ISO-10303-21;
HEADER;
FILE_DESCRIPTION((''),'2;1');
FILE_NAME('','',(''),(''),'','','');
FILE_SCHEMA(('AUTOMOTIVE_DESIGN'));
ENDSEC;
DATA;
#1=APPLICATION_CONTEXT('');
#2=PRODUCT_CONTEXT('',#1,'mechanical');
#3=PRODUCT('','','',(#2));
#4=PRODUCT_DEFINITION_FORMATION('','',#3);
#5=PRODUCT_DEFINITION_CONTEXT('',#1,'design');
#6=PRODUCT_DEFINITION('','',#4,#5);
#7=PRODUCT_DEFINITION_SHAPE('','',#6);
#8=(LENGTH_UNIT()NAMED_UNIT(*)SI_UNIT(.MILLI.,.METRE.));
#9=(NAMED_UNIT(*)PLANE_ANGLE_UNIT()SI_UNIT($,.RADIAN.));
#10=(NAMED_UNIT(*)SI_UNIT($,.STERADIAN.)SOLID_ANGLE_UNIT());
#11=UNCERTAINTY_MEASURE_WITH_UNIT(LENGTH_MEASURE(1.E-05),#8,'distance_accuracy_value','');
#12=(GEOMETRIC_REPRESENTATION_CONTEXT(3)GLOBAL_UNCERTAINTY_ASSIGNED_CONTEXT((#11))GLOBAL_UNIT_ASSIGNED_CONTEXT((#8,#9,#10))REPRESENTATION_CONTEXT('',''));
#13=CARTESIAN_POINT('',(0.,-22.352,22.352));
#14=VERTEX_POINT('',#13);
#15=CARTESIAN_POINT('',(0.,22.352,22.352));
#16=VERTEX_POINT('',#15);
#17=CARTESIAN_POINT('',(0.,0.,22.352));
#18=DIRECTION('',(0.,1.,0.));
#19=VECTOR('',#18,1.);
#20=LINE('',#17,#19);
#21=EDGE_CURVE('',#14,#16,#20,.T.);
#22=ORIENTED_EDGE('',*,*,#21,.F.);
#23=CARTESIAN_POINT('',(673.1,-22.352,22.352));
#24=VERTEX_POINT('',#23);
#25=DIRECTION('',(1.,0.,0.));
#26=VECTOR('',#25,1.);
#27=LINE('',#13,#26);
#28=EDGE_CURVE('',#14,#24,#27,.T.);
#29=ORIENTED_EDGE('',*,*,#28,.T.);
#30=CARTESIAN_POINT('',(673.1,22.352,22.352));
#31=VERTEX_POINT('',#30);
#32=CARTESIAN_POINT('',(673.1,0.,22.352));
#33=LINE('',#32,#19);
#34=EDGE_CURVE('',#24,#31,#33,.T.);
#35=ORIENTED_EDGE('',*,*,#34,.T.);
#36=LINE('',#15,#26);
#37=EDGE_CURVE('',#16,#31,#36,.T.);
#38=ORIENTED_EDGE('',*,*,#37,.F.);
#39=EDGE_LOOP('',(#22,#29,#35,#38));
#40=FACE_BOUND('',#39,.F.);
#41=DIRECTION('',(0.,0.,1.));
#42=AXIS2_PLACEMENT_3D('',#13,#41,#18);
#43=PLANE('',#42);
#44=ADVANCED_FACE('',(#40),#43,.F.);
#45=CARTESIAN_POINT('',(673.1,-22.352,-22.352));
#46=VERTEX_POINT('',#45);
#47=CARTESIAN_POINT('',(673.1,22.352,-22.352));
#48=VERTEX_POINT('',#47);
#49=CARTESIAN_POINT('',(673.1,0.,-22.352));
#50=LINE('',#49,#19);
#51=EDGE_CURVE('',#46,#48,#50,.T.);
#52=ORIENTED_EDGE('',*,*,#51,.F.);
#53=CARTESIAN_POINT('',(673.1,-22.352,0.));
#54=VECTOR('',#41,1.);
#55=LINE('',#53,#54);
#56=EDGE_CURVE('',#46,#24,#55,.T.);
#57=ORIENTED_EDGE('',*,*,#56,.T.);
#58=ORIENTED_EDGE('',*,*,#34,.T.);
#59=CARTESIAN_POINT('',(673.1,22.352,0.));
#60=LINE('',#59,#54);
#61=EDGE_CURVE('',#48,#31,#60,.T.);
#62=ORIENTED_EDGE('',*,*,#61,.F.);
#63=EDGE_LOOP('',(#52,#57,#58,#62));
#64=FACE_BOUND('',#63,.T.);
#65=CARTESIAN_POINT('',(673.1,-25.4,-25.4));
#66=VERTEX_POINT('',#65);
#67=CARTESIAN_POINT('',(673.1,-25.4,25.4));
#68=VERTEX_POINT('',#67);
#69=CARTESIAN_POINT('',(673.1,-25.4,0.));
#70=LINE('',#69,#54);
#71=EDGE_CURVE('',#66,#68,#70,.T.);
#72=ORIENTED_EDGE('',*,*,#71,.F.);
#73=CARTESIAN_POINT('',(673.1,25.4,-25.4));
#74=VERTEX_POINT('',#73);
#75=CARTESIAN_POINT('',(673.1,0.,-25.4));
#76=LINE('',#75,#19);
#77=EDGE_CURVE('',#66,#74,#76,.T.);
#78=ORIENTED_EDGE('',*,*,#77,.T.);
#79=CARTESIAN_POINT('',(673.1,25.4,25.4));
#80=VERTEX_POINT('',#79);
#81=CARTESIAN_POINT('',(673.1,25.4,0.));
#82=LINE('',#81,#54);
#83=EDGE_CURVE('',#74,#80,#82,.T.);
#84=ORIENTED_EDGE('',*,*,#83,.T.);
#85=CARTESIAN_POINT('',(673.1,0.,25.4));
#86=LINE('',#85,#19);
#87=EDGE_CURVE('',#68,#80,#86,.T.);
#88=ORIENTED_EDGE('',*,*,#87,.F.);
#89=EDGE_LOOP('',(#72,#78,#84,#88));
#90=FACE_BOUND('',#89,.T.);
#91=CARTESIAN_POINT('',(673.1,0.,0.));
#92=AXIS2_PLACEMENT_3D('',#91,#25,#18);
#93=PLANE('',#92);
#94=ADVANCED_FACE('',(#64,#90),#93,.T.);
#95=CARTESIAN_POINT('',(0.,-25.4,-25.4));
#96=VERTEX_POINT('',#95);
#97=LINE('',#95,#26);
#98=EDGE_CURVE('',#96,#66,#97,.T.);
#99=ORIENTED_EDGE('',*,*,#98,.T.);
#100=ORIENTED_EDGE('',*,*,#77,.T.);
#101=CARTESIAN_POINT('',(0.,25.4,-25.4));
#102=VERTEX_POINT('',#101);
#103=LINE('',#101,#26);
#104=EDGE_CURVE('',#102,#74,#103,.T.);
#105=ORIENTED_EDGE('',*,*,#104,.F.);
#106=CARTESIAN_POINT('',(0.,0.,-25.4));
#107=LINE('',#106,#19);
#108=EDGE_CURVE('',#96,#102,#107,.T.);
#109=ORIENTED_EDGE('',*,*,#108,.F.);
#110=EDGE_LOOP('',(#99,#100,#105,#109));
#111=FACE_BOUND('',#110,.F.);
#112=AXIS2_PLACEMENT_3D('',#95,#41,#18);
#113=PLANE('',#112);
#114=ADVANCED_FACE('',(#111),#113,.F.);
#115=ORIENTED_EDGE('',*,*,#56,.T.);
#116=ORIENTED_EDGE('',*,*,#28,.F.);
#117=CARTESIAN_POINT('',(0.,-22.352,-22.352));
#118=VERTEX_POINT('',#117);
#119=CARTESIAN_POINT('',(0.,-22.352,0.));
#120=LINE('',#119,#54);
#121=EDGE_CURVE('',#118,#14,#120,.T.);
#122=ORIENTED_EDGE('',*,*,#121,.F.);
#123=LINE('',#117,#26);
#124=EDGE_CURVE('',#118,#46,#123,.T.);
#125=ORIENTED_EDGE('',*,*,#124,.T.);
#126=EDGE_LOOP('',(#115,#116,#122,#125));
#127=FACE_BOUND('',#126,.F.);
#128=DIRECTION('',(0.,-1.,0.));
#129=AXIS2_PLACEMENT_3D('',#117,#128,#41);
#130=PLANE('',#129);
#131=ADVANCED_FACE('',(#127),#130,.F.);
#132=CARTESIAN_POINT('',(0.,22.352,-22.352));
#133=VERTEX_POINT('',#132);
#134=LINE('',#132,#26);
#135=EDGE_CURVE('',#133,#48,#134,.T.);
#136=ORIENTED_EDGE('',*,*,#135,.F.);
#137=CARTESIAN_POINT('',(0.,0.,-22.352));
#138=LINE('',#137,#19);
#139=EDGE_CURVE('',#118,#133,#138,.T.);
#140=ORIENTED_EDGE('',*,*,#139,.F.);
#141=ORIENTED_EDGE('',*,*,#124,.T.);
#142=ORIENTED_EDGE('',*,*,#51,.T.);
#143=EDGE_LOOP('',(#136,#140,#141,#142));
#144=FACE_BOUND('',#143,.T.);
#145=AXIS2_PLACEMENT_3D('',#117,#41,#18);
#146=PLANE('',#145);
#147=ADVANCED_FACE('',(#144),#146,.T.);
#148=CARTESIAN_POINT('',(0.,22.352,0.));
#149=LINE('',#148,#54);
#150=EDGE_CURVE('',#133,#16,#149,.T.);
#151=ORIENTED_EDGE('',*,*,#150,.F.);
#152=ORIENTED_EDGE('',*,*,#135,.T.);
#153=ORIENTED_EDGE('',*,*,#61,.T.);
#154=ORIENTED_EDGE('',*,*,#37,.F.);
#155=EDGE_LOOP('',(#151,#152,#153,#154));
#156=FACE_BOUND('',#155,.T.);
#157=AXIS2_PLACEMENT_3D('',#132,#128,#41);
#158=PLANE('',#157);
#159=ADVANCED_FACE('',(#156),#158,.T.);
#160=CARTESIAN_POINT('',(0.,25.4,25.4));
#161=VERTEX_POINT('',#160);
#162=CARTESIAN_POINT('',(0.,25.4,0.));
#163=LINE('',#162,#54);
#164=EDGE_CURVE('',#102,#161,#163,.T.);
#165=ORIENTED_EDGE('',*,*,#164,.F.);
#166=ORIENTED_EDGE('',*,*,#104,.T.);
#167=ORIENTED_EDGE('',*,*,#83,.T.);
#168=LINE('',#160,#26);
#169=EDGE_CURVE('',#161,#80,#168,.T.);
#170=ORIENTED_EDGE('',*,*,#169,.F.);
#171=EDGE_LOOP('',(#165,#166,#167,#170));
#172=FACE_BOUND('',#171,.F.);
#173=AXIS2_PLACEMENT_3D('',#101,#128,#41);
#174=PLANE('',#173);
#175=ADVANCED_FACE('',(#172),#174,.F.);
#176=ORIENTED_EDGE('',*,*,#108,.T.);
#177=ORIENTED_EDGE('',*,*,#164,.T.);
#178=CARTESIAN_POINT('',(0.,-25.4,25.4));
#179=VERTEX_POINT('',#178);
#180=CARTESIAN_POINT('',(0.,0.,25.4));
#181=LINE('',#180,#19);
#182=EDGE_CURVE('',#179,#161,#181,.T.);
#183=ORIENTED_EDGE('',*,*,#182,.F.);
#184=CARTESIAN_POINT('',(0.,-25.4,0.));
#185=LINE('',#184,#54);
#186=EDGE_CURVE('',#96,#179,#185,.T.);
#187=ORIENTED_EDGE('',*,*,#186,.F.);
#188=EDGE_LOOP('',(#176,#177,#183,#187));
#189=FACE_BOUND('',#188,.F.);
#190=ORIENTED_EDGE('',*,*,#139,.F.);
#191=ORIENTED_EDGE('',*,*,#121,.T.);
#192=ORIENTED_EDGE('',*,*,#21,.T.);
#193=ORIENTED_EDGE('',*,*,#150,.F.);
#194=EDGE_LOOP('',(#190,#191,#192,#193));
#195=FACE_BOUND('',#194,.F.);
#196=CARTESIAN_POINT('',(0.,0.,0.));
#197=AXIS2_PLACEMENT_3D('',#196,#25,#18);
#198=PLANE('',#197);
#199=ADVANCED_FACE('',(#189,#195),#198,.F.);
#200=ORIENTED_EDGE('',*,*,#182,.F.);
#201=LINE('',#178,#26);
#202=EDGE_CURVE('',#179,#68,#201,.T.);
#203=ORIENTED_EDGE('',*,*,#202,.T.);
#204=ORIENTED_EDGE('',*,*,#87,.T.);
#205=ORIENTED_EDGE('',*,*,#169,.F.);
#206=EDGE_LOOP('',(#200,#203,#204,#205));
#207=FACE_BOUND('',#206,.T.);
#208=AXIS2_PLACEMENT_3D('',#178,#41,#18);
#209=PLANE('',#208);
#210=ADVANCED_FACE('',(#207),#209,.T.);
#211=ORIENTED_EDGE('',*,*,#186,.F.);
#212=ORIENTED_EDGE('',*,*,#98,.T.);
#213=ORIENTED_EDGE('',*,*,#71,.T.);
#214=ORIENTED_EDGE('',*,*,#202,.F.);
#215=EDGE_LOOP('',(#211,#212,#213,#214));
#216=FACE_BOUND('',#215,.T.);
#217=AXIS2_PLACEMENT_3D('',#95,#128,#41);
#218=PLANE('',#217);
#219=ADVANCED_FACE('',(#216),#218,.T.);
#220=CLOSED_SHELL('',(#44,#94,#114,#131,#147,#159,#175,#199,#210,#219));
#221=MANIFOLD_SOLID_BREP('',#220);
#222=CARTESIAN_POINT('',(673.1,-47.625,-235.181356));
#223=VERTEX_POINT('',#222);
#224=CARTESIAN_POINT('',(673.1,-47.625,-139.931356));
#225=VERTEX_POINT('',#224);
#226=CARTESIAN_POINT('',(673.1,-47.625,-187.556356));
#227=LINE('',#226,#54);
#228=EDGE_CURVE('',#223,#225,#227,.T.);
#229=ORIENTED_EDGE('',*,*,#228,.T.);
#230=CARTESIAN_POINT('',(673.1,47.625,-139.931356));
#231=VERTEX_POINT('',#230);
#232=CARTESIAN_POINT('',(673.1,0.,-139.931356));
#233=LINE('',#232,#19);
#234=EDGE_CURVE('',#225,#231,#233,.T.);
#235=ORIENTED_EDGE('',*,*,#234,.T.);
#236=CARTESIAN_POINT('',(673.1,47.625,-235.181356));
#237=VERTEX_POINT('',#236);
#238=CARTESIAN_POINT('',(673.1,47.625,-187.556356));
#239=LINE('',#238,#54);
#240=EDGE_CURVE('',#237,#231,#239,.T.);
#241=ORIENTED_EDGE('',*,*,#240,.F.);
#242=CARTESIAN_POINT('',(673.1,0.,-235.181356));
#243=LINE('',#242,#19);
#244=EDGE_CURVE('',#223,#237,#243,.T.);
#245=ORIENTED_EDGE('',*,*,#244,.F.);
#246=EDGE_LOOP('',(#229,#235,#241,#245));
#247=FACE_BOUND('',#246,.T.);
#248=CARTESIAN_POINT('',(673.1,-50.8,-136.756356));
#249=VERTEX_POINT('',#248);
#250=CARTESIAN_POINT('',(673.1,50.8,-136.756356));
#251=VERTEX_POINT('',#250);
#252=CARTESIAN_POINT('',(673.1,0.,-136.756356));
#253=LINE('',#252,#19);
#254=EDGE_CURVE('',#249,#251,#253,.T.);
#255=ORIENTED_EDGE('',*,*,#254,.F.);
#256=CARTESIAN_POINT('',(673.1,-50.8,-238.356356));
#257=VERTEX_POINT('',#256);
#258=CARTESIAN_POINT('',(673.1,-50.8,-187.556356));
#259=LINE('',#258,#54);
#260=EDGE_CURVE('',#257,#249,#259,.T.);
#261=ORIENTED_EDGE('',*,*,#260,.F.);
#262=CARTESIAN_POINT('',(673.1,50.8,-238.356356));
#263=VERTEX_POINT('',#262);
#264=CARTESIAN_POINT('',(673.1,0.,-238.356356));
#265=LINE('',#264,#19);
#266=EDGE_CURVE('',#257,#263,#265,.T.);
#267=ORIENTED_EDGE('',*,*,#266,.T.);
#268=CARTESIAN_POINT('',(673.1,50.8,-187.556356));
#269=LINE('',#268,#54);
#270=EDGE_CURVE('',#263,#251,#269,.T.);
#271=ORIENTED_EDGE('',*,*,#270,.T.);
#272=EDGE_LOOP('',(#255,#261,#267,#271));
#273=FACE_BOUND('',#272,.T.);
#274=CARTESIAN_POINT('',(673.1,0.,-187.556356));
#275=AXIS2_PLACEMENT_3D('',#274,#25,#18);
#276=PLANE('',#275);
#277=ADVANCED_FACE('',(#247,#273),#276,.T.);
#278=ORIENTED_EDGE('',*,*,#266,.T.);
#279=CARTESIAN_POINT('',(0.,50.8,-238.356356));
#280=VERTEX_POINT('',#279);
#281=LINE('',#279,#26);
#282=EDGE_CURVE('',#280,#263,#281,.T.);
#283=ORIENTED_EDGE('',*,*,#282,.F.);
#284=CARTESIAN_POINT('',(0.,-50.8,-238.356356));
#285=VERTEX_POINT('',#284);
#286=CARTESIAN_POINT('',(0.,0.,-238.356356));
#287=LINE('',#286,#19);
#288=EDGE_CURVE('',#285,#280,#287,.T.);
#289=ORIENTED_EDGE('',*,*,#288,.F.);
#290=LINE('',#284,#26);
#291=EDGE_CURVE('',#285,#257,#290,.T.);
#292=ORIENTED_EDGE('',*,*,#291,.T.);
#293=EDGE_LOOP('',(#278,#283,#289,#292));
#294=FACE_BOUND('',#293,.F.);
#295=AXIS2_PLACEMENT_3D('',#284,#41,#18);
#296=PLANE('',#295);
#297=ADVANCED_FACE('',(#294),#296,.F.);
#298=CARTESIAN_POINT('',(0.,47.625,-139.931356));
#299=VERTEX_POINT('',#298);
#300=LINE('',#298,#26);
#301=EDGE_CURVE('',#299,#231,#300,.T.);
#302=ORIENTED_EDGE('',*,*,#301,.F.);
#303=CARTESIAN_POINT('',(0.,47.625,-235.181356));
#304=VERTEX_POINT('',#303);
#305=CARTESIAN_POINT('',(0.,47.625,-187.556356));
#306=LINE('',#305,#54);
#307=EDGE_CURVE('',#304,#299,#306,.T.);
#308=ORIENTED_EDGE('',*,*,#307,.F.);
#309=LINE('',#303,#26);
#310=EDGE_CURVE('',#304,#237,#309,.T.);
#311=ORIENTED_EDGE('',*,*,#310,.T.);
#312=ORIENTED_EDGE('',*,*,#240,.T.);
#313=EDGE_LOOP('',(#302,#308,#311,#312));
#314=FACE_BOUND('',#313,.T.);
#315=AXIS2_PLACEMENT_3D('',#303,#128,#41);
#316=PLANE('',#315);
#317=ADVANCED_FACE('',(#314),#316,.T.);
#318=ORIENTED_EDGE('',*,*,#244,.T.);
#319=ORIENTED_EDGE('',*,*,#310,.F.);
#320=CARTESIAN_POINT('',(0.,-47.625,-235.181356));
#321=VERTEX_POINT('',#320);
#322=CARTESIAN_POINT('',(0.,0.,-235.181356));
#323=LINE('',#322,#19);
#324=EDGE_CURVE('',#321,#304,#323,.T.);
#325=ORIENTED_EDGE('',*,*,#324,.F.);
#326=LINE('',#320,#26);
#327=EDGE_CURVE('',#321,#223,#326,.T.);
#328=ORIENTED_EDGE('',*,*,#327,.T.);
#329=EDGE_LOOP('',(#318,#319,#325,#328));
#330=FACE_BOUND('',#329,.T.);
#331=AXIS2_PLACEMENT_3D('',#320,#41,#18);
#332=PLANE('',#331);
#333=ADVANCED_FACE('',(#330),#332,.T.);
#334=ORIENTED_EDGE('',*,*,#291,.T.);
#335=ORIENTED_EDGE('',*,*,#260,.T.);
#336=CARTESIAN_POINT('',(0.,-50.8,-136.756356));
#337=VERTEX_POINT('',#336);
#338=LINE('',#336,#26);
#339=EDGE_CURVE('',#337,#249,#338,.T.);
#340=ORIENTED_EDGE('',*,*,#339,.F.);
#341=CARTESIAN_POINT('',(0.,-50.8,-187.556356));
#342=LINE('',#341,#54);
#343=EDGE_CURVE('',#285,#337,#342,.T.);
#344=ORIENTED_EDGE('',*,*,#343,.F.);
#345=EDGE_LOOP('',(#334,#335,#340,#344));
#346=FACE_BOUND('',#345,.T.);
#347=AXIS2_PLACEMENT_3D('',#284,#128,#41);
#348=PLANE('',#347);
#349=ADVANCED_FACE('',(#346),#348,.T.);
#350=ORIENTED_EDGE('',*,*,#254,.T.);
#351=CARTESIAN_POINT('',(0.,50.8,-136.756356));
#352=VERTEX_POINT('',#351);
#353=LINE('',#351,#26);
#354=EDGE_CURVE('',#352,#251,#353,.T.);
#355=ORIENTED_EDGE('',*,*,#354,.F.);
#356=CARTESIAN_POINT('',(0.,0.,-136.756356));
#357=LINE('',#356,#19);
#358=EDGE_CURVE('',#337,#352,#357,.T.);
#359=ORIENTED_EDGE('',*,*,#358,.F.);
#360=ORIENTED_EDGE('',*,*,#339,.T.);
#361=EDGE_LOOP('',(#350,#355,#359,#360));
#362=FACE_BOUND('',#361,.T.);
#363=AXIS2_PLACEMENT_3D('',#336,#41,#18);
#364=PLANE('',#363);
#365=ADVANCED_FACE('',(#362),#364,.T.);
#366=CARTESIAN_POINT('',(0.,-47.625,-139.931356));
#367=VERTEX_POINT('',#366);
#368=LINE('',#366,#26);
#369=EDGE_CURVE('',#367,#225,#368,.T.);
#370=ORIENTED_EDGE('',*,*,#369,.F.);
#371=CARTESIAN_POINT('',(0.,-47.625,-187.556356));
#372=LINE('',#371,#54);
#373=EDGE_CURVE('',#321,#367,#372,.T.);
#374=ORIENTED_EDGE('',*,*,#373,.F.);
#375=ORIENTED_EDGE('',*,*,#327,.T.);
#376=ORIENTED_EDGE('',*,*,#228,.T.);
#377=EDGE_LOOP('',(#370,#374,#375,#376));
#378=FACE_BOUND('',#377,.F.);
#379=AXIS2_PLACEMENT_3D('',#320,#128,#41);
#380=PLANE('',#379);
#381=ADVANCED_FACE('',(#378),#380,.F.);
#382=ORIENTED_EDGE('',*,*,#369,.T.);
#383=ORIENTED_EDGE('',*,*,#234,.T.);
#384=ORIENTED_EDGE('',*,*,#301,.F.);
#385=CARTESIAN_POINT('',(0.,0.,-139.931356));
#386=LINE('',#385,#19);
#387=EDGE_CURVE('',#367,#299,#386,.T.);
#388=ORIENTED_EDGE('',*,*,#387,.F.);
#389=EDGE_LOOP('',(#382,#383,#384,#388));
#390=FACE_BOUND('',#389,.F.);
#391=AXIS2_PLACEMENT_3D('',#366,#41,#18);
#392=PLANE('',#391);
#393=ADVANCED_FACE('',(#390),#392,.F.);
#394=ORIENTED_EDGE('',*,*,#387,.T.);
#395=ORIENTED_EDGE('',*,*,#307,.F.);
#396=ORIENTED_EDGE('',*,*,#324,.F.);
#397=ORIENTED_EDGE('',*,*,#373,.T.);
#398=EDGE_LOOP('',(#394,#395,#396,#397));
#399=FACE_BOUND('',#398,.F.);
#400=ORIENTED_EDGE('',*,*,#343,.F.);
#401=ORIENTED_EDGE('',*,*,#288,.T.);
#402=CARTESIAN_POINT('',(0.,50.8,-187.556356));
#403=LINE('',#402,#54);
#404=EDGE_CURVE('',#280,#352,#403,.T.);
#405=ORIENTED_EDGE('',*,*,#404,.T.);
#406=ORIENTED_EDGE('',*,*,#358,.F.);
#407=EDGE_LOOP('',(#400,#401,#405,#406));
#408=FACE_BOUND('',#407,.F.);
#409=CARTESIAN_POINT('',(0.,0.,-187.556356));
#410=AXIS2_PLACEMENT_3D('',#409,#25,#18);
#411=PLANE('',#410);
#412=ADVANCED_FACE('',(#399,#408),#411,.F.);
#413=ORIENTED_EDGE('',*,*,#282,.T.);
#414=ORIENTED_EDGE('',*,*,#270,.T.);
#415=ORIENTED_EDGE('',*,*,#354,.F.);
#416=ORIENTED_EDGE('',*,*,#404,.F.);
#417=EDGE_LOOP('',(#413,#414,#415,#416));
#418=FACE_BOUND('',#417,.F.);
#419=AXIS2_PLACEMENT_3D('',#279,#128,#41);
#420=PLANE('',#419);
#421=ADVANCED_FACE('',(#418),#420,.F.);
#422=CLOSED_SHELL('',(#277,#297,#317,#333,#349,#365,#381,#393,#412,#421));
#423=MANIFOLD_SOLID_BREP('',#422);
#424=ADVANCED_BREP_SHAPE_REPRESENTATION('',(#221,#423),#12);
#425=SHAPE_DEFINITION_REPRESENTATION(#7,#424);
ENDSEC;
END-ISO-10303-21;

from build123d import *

# Parameters (mm, degrees)
F0_W     = 50.8
F0_H     = 50.8
F0_W_2   = 44.704
F0_H_2   = 44.704
F1_DEPTH = 673.1
F2_W     = 101.6
F2_H     = 101.6
F2_W_2   = 95.25
F2_H_2   = 95.25
F3_DEPTH = 673.1


with BuildPart() as f1:
    # F0 (on Right) → F1 (new body)
    with BuildSketch(Plane.YZ):
        Rectangle(F0_W, F0_H)
        Rectangle(F0_W_2, F0_H_2, mode=Mode.SUBTRACT)
    extrude(amount=F1_DEPTH)


with BuildPart() as f3:
    # F2 (on Right) → F3 (new body)
    with BuildSketch(Plane.YZ):
        with Locations((0, -187.556356)):
            Rectangle(F2_W, F2_H)
        with Locations((0, -187.556356)):
            Rectangle(F2_W_2, F2_H_2, mode=Mode.SUBTRACT)
    extrude(amount=F3_DEPTH)


solid = Compound([f1.part, f3.part])
